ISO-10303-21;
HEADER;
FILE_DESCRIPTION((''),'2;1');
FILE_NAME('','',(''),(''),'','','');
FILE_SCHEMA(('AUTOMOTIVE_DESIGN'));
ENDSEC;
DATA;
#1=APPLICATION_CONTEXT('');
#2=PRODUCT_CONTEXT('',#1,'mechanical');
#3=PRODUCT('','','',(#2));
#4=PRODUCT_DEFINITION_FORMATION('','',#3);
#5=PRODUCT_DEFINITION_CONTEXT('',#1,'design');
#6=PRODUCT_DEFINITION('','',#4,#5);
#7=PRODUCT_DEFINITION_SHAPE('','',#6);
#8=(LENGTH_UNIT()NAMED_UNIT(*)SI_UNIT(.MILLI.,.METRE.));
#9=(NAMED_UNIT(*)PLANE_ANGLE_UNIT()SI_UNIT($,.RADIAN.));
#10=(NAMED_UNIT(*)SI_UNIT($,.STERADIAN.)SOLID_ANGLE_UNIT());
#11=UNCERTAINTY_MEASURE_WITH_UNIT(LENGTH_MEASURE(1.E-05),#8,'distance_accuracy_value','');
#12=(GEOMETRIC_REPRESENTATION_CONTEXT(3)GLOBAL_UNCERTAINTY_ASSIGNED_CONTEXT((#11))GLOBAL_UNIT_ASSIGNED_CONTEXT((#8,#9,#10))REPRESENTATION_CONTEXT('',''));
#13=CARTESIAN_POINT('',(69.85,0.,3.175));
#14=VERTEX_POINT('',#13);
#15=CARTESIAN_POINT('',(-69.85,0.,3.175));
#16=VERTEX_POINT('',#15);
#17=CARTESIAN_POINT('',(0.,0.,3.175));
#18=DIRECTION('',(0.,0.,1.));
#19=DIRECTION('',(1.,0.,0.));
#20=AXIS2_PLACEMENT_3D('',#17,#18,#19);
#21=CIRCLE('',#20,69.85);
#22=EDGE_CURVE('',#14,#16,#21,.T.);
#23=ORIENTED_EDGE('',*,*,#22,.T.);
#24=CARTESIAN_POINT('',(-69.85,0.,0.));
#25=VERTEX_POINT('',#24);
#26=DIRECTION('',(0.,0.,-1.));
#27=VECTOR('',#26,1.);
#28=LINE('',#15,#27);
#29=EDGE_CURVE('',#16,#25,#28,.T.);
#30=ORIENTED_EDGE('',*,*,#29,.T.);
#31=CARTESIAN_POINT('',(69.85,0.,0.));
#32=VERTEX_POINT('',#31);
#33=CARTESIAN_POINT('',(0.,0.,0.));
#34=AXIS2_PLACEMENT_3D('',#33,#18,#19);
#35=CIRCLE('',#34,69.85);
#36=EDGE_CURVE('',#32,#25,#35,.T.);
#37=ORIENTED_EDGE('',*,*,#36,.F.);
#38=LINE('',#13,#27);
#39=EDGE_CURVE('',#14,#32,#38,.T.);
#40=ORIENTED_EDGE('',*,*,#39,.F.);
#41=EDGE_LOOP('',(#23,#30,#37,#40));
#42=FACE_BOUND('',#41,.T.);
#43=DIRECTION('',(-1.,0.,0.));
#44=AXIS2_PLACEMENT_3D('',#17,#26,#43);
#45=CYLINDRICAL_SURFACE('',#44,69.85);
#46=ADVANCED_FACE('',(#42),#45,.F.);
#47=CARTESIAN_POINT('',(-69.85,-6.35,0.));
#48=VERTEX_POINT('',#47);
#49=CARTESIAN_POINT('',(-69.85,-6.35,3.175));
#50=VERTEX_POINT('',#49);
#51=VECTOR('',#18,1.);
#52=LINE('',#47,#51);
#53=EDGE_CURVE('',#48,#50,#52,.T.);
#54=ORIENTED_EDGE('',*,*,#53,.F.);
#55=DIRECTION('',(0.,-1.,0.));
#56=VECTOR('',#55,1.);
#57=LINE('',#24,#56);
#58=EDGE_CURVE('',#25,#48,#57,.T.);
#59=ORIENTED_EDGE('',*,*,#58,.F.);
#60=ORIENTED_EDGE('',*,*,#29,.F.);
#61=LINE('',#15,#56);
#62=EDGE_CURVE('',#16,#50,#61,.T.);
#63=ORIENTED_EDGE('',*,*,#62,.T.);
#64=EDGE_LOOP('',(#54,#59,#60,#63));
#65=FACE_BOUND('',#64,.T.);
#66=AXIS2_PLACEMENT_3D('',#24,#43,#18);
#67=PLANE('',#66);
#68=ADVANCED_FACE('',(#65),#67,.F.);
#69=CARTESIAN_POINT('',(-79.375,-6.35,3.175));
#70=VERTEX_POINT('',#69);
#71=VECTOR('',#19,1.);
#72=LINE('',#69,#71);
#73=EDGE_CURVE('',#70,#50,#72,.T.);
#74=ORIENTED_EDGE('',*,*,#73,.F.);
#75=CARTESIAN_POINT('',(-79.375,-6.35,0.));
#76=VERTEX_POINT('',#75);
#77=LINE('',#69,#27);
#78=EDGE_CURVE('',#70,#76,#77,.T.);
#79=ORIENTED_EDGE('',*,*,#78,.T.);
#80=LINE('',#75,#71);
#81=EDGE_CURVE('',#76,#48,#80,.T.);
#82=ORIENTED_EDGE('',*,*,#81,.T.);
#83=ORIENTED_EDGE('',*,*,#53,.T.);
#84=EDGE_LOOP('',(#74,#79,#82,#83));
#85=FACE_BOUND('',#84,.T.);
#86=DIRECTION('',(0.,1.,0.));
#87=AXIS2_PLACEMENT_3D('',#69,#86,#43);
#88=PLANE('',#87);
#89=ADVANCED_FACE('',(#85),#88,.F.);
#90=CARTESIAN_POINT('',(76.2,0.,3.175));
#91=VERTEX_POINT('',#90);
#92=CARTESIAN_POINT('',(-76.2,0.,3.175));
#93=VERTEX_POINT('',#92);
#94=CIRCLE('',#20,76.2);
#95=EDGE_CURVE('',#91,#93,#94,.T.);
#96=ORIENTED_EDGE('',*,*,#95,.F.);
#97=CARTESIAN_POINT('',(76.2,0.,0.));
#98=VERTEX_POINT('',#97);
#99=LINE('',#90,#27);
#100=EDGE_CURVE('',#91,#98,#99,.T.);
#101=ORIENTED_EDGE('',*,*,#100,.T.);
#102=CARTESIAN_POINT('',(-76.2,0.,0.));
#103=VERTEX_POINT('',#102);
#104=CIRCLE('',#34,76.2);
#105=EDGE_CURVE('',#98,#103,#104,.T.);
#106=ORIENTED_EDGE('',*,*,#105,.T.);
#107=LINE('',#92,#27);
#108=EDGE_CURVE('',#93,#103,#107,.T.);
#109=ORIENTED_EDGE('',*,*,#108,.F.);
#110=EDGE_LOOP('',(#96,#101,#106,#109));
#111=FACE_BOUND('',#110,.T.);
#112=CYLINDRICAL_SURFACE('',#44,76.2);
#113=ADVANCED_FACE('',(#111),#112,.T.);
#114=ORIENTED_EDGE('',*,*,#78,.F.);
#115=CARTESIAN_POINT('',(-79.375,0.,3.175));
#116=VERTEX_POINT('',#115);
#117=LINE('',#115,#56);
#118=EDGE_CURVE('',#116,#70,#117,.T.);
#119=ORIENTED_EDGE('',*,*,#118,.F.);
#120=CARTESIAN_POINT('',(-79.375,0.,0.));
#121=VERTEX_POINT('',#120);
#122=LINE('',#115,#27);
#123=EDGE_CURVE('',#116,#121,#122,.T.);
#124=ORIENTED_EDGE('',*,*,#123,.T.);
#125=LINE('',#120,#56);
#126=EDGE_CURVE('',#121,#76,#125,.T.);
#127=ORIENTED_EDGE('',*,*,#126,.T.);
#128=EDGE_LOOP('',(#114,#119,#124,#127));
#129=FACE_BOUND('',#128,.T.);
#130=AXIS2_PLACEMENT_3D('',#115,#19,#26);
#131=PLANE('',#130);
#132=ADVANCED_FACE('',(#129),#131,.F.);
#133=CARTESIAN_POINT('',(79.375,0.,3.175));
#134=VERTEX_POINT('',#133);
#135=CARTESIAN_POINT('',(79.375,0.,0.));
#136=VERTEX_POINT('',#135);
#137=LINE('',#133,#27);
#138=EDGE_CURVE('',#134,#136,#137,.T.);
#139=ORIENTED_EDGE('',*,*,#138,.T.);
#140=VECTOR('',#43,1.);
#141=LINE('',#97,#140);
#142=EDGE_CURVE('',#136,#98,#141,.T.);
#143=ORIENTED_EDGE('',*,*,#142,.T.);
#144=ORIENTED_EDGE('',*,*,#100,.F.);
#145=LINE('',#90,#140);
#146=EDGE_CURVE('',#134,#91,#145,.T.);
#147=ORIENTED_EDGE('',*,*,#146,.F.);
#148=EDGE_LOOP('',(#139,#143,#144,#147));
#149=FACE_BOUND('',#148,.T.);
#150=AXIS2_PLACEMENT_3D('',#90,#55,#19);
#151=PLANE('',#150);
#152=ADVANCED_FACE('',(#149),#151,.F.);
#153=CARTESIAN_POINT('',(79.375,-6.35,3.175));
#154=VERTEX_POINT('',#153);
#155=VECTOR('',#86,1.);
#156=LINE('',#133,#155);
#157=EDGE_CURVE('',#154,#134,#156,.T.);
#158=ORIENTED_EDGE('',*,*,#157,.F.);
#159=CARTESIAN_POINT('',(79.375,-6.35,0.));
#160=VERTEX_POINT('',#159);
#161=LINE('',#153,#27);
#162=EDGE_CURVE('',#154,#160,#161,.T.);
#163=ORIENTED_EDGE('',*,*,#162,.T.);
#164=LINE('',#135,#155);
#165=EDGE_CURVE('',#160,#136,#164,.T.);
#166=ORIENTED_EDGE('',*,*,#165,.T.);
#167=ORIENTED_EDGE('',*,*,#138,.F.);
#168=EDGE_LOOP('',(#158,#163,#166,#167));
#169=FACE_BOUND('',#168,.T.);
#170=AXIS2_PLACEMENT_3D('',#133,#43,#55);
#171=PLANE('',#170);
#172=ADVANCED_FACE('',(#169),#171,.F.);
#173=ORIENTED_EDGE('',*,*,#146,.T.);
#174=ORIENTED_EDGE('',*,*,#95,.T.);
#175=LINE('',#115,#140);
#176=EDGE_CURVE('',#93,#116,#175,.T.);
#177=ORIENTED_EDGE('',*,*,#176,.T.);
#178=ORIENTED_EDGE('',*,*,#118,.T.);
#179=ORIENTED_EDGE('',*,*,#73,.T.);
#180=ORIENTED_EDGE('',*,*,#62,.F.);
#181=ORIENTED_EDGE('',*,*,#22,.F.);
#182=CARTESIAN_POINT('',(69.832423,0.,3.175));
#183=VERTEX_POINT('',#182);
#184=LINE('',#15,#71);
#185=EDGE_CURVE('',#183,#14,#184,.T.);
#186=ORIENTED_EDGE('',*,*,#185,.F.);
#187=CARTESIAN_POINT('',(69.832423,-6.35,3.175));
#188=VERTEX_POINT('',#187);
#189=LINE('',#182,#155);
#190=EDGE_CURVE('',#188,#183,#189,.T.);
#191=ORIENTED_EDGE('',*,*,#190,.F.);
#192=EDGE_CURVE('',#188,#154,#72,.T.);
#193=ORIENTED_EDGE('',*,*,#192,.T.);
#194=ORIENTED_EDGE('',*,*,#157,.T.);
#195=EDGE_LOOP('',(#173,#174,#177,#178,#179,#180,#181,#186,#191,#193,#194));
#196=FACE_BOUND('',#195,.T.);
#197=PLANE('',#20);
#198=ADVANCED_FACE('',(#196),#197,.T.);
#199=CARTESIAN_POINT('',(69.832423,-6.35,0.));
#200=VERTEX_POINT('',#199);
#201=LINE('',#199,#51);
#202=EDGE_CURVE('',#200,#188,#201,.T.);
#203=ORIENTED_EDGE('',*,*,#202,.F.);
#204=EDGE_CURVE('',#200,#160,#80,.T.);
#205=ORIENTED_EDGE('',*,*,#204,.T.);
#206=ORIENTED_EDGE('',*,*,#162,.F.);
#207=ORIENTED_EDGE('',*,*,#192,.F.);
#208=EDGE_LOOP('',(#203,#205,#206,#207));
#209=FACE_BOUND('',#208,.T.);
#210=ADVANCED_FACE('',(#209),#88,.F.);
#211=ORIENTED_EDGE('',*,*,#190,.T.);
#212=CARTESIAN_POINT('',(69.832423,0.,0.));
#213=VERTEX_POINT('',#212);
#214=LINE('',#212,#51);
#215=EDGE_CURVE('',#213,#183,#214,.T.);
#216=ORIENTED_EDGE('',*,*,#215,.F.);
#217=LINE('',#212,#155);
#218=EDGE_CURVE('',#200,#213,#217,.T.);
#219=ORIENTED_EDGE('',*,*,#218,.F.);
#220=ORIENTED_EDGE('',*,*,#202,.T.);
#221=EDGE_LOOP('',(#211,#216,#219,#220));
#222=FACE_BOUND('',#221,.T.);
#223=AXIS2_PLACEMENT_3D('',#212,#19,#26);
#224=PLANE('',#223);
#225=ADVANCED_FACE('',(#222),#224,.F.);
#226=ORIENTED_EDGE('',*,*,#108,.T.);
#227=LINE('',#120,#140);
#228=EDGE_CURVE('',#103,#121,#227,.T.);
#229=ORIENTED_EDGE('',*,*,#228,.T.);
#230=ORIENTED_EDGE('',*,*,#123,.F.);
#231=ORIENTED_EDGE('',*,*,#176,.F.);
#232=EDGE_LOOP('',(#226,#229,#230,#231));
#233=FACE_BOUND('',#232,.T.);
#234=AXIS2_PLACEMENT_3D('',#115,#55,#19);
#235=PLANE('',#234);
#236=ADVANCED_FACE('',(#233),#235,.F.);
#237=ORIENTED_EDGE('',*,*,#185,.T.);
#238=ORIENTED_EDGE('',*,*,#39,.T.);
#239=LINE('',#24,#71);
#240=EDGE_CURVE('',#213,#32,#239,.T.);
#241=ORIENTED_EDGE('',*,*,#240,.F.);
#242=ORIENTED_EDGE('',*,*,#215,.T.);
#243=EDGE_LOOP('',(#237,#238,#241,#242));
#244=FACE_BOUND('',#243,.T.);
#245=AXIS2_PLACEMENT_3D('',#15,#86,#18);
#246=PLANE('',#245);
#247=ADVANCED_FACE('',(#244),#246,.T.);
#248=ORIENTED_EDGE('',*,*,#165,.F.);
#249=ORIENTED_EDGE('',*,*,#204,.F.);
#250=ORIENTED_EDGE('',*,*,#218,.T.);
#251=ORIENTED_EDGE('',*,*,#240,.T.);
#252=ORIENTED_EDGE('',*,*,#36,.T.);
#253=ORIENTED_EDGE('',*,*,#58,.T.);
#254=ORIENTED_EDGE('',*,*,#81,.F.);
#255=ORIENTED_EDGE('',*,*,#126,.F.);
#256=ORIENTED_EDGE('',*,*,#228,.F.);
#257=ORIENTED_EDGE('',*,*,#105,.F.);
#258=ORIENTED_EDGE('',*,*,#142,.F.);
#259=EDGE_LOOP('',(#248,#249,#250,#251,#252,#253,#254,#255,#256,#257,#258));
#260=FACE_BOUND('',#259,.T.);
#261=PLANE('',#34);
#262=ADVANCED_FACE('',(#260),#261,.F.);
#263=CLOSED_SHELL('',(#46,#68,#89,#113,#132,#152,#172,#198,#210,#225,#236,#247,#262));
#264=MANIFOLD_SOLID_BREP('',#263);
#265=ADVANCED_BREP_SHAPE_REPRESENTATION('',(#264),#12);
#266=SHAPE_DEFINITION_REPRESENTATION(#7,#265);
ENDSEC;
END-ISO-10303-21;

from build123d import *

# Parameters (mm, degrees)
BOSS_EXTRUDE1_DEPTH = 3.175
SKETCH2_W           = 139.682423128
SKETCH2_H           = 6.35
CUT_EXTRUDE1_DEPTH  = 4.175


with BuildPart() as part:
    # Sketch1 → Boss-Extrude1 (new body)
    with BuildSketch(Plane.XY):
        with BuildLine():
            Line((76.2, 0), (79.375, 0))
            Line((79.375, 0), (79.375, -6.35))
            Line((79.375, -6.35), (-79.375, -6.35))
            Line((-79.375, -6.35), (-79.375, 0))
            Line((-79.375, 0), (-76.2, 0))
            ThreePointArc((-76.2, 0), (0, 76.2), (76.2, 0))
        make_face()
        with BuildLine():
            Line((-69.85, 0), (69.85, 0))
            ThreePointArc((69.85, 0), (0, 69.85), (-69.85, 0))
        make_face(mode=Mode.SUBTRACT)
    extrude(amount=BOSS_EXTRUDE1_DEPTH)

    # Sketch2 → Cut-Extrude1 (cut, through all)
    with BuildSketch(Plane.XY.offset(3.175)):
        with Locations((-0.008788436, -3.175)):
            Rectangle(SKETCH2_W, SKETCH2_H)
    extrude(amount=-CUT_EXTRUDE1_DEPTH, mode=Mode.SUBTRACT)


solid = part.part
